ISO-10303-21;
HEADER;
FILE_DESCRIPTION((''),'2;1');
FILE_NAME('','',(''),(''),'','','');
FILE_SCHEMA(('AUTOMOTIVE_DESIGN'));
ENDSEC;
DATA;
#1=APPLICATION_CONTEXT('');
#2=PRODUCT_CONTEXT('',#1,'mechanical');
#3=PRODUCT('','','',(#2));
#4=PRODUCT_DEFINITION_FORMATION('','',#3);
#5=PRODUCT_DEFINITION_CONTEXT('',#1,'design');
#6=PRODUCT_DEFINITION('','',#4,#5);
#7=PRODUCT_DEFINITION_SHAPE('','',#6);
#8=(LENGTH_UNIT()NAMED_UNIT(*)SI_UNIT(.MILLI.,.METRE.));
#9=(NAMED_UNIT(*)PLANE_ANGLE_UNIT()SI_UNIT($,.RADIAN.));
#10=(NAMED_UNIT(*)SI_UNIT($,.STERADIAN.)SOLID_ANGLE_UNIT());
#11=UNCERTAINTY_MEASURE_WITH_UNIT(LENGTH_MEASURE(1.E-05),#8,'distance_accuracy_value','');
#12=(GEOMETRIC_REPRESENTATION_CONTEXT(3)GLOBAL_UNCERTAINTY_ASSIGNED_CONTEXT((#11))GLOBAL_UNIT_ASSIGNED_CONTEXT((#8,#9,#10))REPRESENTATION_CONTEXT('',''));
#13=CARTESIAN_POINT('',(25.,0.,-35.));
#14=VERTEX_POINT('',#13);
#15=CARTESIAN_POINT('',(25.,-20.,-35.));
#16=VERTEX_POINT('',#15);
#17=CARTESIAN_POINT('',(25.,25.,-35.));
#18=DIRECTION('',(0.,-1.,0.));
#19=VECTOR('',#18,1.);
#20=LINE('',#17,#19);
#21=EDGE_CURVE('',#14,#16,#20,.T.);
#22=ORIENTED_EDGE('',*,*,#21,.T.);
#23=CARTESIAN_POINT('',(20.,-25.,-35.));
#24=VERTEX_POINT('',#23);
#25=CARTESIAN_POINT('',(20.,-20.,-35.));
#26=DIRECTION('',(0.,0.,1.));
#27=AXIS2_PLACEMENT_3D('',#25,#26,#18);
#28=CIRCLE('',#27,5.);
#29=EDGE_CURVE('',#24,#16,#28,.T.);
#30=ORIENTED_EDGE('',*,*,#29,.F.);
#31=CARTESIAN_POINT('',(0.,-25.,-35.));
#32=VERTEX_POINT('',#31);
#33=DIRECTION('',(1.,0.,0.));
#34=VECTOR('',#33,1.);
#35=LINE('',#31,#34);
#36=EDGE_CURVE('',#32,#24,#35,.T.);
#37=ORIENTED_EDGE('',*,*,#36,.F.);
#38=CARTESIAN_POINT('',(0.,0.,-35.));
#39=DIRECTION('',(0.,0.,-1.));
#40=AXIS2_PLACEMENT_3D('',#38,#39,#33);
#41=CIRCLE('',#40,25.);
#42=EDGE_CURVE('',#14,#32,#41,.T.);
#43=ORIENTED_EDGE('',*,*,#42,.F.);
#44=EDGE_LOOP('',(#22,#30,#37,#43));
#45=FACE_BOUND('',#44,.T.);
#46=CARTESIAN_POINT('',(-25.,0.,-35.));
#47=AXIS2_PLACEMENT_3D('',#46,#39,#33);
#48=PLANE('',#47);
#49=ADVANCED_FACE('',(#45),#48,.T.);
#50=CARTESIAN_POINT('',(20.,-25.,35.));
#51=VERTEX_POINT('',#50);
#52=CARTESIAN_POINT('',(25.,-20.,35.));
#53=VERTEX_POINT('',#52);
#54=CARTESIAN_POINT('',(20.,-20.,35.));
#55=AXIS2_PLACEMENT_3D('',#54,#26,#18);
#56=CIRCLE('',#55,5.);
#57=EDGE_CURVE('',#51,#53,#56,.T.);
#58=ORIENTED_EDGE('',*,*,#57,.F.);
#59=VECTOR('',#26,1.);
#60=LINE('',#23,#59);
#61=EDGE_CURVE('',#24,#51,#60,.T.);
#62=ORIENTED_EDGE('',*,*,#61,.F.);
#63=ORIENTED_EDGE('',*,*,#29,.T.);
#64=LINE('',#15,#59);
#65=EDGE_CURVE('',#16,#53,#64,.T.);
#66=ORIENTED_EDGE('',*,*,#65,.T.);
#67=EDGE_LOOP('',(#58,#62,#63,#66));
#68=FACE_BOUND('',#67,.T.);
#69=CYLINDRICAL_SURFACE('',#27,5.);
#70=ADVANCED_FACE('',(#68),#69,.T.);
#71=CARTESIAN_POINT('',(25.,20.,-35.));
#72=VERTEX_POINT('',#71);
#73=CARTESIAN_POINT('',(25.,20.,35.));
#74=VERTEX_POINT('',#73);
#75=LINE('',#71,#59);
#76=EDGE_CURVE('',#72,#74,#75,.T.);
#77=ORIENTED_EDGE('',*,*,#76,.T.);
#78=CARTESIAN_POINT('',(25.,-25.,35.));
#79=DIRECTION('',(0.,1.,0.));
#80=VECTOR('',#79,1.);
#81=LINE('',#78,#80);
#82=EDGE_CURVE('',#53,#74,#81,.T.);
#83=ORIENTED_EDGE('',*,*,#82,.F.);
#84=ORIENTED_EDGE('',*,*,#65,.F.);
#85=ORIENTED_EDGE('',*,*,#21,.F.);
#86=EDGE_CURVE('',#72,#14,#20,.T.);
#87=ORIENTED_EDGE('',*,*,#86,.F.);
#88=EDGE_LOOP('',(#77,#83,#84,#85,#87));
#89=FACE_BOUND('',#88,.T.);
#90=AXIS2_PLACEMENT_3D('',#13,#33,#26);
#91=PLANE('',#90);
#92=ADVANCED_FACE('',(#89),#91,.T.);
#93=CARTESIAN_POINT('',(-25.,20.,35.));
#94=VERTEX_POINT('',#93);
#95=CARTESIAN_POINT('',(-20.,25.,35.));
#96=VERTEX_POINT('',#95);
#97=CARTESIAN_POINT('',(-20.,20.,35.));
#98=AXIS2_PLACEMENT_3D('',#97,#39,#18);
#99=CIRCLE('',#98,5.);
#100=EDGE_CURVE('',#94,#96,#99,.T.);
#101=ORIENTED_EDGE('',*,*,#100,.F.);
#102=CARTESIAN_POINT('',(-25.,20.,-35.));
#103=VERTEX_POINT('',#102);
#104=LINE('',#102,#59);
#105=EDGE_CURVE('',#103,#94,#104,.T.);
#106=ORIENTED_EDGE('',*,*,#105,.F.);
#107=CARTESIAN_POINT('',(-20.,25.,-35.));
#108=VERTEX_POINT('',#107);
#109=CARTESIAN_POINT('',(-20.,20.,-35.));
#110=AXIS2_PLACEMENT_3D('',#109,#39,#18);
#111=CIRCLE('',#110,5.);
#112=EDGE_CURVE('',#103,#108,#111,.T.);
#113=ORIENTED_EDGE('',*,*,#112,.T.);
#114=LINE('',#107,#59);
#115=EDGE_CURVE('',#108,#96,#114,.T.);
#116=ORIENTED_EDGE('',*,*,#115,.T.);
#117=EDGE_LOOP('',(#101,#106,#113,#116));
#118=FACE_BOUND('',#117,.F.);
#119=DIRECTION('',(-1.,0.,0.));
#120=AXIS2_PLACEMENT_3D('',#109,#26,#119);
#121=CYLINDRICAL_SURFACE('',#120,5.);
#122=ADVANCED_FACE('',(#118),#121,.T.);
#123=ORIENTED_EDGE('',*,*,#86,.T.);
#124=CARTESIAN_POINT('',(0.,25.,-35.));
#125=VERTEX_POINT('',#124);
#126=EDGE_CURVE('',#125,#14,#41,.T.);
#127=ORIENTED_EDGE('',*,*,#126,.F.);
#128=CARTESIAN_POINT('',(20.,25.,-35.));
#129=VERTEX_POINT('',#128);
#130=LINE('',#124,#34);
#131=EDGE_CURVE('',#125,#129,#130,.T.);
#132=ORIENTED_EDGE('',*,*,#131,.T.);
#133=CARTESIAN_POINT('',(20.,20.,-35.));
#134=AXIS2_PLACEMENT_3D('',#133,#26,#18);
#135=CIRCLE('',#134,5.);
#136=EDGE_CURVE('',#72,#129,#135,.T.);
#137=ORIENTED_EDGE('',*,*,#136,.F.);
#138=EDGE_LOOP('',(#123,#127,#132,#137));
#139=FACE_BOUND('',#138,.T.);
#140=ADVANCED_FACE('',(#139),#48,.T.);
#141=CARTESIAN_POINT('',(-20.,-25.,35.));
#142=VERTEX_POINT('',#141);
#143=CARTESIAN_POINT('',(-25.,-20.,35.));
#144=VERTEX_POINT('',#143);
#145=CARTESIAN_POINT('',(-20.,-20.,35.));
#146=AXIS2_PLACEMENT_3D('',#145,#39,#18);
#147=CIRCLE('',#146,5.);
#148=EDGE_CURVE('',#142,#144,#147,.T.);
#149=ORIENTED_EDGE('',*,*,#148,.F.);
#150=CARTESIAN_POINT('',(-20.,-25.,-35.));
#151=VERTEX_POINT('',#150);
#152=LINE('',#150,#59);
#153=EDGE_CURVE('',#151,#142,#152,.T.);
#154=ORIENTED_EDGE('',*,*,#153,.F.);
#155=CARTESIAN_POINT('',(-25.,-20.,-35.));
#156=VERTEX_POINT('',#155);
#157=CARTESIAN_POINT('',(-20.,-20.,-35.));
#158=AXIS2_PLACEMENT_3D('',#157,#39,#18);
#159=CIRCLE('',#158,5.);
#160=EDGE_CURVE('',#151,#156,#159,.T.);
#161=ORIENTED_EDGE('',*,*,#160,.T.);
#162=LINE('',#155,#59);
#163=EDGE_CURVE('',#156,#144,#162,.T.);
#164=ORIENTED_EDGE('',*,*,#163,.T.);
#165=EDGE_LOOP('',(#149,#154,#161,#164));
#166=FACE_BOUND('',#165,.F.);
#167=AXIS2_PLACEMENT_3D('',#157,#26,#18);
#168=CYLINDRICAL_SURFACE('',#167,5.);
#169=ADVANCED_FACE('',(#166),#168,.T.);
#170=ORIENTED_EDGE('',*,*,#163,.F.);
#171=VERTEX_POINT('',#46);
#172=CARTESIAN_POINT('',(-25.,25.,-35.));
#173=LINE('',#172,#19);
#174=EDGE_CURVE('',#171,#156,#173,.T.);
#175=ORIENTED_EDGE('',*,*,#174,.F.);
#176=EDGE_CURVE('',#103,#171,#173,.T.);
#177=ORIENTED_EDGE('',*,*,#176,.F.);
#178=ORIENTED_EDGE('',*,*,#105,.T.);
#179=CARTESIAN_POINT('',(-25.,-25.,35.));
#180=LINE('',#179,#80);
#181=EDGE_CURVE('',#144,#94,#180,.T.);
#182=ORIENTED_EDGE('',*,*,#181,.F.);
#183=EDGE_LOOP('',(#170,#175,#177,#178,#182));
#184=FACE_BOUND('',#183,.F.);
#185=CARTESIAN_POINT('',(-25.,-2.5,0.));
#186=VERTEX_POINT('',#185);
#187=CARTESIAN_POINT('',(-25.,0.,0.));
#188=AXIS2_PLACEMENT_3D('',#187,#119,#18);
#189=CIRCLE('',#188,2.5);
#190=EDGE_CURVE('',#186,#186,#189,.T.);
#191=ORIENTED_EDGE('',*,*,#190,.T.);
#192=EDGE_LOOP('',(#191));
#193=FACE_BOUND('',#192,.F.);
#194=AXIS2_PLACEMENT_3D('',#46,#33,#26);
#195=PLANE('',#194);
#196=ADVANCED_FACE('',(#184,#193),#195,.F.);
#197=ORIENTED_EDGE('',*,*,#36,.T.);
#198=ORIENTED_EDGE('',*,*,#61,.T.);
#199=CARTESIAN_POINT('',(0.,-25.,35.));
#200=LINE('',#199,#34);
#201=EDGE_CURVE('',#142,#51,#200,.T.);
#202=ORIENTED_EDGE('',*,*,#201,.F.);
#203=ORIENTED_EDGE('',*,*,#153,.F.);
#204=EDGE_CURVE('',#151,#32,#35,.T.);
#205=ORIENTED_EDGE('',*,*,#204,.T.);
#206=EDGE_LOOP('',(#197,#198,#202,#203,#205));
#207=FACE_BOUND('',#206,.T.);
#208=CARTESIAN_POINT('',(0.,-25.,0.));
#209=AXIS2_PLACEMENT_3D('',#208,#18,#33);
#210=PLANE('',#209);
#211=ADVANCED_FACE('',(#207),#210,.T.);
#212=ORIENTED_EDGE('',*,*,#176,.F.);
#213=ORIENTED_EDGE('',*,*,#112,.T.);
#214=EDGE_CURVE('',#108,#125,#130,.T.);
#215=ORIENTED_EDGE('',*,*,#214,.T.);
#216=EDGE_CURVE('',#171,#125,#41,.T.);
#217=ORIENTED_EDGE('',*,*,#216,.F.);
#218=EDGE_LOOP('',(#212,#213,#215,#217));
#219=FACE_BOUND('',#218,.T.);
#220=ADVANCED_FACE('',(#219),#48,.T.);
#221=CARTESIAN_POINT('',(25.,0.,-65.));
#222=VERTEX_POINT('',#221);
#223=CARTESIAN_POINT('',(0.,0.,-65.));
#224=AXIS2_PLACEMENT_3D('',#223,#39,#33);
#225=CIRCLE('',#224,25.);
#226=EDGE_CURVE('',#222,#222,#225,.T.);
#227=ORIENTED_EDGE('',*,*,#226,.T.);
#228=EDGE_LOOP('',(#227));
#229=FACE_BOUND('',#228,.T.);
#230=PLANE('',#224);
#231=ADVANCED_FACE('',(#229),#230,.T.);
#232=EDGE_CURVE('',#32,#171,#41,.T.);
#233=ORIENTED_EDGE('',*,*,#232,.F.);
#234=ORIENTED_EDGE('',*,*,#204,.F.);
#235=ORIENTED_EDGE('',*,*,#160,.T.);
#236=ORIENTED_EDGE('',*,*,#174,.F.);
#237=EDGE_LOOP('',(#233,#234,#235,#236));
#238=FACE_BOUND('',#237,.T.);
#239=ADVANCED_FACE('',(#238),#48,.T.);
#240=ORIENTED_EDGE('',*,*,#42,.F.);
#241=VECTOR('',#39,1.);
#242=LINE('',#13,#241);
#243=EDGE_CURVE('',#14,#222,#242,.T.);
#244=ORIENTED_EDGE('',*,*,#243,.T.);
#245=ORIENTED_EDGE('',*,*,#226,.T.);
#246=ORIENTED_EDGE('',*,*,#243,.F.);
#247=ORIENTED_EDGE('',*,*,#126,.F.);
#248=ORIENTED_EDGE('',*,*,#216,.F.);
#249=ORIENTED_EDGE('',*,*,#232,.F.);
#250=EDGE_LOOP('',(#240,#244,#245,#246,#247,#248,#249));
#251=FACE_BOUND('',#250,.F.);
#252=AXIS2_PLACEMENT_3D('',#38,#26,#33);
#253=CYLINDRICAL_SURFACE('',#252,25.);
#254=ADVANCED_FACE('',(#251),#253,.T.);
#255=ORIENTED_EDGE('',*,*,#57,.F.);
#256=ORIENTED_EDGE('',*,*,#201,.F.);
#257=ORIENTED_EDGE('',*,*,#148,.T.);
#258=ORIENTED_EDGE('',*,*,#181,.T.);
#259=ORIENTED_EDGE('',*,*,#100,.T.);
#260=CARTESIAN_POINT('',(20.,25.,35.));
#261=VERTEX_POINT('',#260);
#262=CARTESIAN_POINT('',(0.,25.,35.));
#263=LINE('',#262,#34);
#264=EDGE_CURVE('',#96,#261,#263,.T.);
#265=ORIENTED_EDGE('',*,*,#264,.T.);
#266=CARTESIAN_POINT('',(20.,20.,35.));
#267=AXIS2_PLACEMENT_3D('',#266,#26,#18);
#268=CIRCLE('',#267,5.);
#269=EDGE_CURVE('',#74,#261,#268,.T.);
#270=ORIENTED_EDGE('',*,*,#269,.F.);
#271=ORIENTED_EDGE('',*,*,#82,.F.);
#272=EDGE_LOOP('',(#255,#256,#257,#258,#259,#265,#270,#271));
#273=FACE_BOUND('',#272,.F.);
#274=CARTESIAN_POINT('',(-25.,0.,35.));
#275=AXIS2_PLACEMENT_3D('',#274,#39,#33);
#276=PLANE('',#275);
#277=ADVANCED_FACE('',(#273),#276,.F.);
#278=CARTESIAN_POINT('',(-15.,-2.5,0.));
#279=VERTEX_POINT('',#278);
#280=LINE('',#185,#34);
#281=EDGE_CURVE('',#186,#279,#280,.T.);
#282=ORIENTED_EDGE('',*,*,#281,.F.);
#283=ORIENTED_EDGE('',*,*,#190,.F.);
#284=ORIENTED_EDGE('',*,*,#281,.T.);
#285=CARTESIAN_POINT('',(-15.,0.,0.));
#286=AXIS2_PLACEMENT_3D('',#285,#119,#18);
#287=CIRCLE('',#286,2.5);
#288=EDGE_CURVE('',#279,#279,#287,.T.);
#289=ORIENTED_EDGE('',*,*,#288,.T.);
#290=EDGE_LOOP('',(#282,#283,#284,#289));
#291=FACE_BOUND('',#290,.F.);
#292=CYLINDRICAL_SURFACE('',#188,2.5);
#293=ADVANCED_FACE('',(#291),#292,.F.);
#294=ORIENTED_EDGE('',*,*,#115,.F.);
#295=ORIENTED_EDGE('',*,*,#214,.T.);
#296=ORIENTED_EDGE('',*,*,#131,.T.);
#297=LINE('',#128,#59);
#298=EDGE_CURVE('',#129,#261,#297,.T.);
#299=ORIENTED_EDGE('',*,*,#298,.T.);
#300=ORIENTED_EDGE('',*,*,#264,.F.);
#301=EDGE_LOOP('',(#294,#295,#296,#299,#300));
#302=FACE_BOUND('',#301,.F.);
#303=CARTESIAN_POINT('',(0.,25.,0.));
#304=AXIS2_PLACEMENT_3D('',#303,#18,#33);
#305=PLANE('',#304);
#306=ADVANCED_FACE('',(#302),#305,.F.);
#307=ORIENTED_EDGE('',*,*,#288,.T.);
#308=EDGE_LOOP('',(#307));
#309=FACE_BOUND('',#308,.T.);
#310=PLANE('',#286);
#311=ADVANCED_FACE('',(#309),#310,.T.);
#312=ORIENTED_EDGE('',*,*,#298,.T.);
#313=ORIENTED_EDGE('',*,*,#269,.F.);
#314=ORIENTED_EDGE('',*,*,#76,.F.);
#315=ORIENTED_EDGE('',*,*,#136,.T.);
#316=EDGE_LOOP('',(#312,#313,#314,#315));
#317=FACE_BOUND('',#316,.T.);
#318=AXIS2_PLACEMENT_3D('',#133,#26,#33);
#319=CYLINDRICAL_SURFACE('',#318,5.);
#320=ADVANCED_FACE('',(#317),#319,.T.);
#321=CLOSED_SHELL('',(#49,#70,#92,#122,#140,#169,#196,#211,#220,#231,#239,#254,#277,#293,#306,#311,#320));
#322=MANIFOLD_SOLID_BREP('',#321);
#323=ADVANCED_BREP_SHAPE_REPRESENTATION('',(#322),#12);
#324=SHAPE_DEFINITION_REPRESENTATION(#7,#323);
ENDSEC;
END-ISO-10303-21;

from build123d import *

# Parameters (mm, degrees)
F0_W     = 50
F0_H     = 70
F1_DEPTH = 25
F2_R     = 25
F3_DEPTH = 30
F4_R     = 5
F5_R     = 2.5
F6_DEPTH = 10


with BuildPart() as f1:
    # F0 (on Front) → F1 (new body, symmetric)
    with BuildSketch(Plane.XZ):
        Rectangle(F0_W, F0_H)
    extrude(amount=F1_DEPTH, both=True)

    # F2 (on face) → F3 (join)
    with BuildSketch(Plane(origin=(0, 0, -35), x_dir=(1, 0, 0), z_dir=(0, 0, -1))):
        Circle(F2_R)
    extrude(amount=F3_DEPTH)

    # F4
    f4_edges = [f1.edges().sort_by_distance(p)[0] for p in [
        (25, -25, 0),
        (-25, -25, 0),
        (-25, 25, 0),
        (25, 25, 0),
    ]]
    fillet(f4_edges, radius=F4_R)

    # F5 (on face) → F6 (cut)
    with BuildSketch(Plane(origin=(-25, 0, 0), x_dir=(0, -1, 0), z_dir=(-1, 0, 0))):
        Circle(F5_R)
    extrude(amount=-F6_DEPTH, mode=Mode.SUBTRACT)


solid = f1.part
